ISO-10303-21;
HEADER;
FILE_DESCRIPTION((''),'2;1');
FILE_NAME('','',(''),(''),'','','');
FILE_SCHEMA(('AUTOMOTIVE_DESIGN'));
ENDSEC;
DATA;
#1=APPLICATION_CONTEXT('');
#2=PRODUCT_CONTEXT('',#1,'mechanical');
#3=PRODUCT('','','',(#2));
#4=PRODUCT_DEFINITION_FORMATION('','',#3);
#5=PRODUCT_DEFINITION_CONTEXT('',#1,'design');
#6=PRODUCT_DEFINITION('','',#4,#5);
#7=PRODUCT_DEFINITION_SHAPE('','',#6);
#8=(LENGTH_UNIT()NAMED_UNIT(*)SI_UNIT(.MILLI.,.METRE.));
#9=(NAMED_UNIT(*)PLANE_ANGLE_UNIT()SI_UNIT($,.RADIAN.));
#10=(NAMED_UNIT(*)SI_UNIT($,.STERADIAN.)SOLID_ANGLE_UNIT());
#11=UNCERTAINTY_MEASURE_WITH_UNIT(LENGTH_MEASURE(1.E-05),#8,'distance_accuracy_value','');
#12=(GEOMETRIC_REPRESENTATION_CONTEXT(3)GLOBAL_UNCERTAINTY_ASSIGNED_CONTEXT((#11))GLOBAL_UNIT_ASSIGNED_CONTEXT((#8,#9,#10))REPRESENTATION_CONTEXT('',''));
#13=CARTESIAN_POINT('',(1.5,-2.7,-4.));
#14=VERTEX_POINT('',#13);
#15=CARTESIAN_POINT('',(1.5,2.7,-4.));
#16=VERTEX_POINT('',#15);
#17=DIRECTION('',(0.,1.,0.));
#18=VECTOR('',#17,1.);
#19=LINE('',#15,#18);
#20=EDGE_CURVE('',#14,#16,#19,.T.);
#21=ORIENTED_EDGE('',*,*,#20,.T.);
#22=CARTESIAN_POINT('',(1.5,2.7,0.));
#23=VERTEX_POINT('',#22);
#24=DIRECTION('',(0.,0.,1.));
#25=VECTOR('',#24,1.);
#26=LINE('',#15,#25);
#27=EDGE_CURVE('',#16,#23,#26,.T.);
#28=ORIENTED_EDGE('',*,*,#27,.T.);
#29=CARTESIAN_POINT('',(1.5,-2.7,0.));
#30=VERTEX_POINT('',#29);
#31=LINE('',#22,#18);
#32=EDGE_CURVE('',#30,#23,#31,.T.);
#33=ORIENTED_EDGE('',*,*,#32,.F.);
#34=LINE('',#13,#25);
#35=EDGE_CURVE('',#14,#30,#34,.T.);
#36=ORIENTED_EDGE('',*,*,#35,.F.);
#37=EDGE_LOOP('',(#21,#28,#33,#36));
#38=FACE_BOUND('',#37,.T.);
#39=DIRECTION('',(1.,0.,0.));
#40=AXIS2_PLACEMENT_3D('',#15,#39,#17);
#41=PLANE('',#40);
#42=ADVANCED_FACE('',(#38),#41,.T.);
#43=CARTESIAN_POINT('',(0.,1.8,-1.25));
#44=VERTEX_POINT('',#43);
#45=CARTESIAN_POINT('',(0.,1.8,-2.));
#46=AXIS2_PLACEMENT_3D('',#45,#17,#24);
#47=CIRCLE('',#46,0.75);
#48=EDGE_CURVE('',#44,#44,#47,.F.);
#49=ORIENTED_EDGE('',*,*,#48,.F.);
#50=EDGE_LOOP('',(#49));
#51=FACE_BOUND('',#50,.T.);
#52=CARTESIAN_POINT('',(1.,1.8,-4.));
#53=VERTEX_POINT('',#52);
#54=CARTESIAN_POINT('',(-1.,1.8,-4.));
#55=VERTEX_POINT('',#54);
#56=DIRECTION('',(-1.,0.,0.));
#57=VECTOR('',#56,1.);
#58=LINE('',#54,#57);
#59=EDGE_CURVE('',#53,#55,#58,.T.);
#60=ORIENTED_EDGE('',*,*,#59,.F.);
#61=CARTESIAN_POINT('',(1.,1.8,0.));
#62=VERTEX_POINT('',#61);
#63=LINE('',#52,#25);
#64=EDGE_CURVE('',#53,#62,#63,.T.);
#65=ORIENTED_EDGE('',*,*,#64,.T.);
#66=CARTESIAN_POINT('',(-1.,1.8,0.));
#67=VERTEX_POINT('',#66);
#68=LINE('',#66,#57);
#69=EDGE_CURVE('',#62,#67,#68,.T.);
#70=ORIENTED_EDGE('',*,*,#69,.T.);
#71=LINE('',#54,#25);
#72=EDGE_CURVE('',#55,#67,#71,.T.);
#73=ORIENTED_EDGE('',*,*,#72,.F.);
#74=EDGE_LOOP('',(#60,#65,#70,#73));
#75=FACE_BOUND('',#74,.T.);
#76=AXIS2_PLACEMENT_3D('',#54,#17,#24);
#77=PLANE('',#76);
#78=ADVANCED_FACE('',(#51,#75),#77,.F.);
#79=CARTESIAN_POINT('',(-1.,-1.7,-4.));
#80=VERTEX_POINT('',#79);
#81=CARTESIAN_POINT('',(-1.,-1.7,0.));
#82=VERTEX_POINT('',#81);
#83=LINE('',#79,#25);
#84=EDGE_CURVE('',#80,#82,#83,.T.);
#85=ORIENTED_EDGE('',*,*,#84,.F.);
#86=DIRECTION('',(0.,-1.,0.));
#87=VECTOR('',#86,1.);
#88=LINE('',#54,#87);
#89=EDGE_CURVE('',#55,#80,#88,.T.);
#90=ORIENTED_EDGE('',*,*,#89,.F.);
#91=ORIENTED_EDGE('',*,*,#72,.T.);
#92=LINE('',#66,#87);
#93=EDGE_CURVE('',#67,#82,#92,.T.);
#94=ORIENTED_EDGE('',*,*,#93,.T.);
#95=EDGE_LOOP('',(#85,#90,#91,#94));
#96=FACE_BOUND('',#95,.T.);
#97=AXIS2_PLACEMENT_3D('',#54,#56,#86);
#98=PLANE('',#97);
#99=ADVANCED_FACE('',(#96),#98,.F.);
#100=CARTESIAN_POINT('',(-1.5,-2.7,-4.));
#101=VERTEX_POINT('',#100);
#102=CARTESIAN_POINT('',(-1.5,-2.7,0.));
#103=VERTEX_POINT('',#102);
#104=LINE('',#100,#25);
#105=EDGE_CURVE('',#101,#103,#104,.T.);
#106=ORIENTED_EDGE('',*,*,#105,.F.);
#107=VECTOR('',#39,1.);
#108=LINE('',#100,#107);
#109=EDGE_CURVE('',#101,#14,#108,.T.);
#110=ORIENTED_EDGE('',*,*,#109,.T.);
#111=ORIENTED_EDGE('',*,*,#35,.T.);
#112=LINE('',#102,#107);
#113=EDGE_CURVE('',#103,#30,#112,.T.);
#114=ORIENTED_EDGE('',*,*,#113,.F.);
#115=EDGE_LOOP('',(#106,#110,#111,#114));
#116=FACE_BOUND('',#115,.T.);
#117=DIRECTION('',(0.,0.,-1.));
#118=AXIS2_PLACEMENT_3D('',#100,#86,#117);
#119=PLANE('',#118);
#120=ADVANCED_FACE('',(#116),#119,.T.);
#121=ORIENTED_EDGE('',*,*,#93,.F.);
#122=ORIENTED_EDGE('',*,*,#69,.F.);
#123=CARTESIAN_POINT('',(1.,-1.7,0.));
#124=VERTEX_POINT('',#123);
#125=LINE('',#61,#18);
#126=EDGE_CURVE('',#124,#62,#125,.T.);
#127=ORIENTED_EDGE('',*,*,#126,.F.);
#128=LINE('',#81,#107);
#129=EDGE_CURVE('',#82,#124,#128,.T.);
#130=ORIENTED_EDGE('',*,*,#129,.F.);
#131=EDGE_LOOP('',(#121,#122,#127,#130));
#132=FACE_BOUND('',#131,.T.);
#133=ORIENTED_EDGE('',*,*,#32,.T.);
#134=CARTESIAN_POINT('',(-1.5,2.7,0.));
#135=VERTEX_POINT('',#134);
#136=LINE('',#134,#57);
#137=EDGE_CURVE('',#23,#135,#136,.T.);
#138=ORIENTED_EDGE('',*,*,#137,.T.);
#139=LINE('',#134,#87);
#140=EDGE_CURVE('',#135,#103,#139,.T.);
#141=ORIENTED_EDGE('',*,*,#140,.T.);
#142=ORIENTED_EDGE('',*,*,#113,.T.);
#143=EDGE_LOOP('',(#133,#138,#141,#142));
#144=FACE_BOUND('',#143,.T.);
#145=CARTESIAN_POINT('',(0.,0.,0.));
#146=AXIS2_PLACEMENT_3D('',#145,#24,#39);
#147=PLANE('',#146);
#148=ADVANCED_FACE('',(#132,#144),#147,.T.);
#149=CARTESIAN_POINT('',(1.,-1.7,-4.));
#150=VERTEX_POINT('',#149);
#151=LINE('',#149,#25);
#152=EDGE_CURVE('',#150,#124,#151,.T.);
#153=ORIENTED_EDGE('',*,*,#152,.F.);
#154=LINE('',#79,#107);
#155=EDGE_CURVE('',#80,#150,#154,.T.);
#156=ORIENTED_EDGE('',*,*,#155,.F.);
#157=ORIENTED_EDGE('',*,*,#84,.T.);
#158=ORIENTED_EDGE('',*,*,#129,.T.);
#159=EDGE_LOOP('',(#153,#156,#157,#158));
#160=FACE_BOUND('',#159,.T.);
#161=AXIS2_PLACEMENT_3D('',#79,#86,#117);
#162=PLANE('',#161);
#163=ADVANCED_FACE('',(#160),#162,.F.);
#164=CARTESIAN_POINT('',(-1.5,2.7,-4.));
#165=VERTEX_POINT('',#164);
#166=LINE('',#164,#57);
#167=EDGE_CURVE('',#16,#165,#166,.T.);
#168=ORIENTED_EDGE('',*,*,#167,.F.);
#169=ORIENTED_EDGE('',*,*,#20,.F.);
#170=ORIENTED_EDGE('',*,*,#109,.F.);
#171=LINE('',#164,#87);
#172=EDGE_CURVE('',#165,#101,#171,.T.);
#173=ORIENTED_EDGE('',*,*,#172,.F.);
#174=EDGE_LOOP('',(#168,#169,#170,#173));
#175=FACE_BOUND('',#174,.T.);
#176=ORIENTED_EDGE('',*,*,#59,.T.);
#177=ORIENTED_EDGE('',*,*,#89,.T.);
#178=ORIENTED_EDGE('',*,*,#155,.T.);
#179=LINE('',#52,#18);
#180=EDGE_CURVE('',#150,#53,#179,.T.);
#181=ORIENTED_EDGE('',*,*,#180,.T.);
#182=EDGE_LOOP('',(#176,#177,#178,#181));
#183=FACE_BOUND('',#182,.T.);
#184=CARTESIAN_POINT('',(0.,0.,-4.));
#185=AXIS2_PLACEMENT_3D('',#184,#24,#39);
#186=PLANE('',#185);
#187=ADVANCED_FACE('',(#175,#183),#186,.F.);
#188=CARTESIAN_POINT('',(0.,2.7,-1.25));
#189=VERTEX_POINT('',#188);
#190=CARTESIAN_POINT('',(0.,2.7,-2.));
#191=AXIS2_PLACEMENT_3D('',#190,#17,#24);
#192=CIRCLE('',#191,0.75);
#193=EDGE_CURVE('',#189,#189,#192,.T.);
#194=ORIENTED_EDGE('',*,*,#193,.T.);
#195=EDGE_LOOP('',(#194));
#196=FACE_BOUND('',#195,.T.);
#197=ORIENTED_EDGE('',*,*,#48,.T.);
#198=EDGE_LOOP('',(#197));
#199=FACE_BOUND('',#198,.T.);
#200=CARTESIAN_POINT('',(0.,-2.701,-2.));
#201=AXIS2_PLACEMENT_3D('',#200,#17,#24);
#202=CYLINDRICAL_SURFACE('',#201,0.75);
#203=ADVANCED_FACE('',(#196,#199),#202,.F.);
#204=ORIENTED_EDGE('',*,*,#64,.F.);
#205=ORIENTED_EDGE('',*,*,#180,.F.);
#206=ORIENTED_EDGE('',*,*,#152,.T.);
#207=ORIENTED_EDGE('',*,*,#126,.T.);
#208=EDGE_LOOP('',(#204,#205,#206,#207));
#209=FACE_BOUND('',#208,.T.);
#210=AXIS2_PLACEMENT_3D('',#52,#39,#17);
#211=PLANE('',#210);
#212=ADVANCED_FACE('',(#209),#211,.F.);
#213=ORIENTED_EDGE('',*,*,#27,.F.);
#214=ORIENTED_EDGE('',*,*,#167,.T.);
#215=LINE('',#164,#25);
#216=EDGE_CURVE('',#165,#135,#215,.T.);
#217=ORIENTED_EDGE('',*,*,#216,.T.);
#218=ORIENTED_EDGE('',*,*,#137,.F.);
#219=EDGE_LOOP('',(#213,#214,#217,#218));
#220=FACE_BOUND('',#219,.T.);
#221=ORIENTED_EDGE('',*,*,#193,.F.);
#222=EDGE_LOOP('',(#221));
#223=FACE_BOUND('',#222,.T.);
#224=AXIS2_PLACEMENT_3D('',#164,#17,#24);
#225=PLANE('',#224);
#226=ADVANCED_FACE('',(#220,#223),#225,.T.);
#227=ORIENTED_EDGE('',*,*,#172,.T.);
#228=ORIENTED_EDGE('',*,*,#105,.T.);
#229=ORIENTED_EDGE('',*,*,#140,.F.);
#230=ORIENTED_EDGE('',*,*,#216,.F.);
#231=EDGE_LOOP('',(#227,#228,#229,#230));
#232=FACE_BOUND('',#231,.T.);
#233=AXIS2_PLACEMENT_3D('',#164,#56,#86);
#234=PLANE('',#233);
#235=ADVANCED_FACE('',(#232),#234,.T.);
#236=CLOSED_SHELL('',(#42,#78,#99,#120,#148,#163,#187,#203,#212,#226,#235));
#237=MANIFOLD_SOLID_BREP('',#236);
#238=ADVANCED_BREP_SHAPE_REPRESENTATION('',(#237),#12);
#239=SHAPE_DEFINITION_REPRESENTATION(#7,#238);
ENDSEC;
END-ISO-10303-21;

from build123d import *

# Parameters (mm, degrees)
SKETCH_1_W          = 3
SKETCH_1_H          = 5.4
EXTRUDE_1_DEPTH     = 4
SKETCH_2_W          = 2
SKETCH_2_H          = 3.5
CUT_EXTRUDE_1_DEPTH = 6.053711507
CUT_EXTRUDE_2_REACH = 8.885
SKETCH_3_R          = 0.75


with BuildPart() as part:
    # Эскиз1 → Бобышка-Вытянуть1 (new body)
    with BuildSketch(Plane.XY):
        Rectangle(SKETCH_1_W, SKETCH_1_H)
    extrude(amount=-EXTRUDE_1_DEPTH)

    # Эскиз2 → Вырез-Вытянуть1 (cut, through all)
    with BuildSketch(Plane.XY):
        with Locations((0, 0.05)):
            Rectangle(SKETCH_2_W, SKETCH_2_H)
    extrude(amount=-CUT_EXTRUDE_1_DEPTH, mode=Mode.SUBTRACT)

    # Эскиз3 → Вырез-Вытянуть2 (cut, up to next)
    with BuildSketch(Plane(origin=(0, 2.7, 0), x_dir=(1, 0, 0), z_dir=(0, 1, 0)), mode=Mode.PRIVATE) as cut_extrude_2_sk1:
        with Locations(Location((0, 2, 0), (0, 0, 270))):
            Circle(SKETCH_3_R)
    cut_extrude_2_tool1 = extrude(cut_extrude_2_sk1.sketch, amount=-CUT_EXTRUDE_2_REACH, mode=Mode.PRIVATE) & part.part
    add(cut_extrude_2_tool1.solids().sort_by_distance((0, 2.7, -2))[0], mode=Mode.SUBTRACT)


solid = part.part
